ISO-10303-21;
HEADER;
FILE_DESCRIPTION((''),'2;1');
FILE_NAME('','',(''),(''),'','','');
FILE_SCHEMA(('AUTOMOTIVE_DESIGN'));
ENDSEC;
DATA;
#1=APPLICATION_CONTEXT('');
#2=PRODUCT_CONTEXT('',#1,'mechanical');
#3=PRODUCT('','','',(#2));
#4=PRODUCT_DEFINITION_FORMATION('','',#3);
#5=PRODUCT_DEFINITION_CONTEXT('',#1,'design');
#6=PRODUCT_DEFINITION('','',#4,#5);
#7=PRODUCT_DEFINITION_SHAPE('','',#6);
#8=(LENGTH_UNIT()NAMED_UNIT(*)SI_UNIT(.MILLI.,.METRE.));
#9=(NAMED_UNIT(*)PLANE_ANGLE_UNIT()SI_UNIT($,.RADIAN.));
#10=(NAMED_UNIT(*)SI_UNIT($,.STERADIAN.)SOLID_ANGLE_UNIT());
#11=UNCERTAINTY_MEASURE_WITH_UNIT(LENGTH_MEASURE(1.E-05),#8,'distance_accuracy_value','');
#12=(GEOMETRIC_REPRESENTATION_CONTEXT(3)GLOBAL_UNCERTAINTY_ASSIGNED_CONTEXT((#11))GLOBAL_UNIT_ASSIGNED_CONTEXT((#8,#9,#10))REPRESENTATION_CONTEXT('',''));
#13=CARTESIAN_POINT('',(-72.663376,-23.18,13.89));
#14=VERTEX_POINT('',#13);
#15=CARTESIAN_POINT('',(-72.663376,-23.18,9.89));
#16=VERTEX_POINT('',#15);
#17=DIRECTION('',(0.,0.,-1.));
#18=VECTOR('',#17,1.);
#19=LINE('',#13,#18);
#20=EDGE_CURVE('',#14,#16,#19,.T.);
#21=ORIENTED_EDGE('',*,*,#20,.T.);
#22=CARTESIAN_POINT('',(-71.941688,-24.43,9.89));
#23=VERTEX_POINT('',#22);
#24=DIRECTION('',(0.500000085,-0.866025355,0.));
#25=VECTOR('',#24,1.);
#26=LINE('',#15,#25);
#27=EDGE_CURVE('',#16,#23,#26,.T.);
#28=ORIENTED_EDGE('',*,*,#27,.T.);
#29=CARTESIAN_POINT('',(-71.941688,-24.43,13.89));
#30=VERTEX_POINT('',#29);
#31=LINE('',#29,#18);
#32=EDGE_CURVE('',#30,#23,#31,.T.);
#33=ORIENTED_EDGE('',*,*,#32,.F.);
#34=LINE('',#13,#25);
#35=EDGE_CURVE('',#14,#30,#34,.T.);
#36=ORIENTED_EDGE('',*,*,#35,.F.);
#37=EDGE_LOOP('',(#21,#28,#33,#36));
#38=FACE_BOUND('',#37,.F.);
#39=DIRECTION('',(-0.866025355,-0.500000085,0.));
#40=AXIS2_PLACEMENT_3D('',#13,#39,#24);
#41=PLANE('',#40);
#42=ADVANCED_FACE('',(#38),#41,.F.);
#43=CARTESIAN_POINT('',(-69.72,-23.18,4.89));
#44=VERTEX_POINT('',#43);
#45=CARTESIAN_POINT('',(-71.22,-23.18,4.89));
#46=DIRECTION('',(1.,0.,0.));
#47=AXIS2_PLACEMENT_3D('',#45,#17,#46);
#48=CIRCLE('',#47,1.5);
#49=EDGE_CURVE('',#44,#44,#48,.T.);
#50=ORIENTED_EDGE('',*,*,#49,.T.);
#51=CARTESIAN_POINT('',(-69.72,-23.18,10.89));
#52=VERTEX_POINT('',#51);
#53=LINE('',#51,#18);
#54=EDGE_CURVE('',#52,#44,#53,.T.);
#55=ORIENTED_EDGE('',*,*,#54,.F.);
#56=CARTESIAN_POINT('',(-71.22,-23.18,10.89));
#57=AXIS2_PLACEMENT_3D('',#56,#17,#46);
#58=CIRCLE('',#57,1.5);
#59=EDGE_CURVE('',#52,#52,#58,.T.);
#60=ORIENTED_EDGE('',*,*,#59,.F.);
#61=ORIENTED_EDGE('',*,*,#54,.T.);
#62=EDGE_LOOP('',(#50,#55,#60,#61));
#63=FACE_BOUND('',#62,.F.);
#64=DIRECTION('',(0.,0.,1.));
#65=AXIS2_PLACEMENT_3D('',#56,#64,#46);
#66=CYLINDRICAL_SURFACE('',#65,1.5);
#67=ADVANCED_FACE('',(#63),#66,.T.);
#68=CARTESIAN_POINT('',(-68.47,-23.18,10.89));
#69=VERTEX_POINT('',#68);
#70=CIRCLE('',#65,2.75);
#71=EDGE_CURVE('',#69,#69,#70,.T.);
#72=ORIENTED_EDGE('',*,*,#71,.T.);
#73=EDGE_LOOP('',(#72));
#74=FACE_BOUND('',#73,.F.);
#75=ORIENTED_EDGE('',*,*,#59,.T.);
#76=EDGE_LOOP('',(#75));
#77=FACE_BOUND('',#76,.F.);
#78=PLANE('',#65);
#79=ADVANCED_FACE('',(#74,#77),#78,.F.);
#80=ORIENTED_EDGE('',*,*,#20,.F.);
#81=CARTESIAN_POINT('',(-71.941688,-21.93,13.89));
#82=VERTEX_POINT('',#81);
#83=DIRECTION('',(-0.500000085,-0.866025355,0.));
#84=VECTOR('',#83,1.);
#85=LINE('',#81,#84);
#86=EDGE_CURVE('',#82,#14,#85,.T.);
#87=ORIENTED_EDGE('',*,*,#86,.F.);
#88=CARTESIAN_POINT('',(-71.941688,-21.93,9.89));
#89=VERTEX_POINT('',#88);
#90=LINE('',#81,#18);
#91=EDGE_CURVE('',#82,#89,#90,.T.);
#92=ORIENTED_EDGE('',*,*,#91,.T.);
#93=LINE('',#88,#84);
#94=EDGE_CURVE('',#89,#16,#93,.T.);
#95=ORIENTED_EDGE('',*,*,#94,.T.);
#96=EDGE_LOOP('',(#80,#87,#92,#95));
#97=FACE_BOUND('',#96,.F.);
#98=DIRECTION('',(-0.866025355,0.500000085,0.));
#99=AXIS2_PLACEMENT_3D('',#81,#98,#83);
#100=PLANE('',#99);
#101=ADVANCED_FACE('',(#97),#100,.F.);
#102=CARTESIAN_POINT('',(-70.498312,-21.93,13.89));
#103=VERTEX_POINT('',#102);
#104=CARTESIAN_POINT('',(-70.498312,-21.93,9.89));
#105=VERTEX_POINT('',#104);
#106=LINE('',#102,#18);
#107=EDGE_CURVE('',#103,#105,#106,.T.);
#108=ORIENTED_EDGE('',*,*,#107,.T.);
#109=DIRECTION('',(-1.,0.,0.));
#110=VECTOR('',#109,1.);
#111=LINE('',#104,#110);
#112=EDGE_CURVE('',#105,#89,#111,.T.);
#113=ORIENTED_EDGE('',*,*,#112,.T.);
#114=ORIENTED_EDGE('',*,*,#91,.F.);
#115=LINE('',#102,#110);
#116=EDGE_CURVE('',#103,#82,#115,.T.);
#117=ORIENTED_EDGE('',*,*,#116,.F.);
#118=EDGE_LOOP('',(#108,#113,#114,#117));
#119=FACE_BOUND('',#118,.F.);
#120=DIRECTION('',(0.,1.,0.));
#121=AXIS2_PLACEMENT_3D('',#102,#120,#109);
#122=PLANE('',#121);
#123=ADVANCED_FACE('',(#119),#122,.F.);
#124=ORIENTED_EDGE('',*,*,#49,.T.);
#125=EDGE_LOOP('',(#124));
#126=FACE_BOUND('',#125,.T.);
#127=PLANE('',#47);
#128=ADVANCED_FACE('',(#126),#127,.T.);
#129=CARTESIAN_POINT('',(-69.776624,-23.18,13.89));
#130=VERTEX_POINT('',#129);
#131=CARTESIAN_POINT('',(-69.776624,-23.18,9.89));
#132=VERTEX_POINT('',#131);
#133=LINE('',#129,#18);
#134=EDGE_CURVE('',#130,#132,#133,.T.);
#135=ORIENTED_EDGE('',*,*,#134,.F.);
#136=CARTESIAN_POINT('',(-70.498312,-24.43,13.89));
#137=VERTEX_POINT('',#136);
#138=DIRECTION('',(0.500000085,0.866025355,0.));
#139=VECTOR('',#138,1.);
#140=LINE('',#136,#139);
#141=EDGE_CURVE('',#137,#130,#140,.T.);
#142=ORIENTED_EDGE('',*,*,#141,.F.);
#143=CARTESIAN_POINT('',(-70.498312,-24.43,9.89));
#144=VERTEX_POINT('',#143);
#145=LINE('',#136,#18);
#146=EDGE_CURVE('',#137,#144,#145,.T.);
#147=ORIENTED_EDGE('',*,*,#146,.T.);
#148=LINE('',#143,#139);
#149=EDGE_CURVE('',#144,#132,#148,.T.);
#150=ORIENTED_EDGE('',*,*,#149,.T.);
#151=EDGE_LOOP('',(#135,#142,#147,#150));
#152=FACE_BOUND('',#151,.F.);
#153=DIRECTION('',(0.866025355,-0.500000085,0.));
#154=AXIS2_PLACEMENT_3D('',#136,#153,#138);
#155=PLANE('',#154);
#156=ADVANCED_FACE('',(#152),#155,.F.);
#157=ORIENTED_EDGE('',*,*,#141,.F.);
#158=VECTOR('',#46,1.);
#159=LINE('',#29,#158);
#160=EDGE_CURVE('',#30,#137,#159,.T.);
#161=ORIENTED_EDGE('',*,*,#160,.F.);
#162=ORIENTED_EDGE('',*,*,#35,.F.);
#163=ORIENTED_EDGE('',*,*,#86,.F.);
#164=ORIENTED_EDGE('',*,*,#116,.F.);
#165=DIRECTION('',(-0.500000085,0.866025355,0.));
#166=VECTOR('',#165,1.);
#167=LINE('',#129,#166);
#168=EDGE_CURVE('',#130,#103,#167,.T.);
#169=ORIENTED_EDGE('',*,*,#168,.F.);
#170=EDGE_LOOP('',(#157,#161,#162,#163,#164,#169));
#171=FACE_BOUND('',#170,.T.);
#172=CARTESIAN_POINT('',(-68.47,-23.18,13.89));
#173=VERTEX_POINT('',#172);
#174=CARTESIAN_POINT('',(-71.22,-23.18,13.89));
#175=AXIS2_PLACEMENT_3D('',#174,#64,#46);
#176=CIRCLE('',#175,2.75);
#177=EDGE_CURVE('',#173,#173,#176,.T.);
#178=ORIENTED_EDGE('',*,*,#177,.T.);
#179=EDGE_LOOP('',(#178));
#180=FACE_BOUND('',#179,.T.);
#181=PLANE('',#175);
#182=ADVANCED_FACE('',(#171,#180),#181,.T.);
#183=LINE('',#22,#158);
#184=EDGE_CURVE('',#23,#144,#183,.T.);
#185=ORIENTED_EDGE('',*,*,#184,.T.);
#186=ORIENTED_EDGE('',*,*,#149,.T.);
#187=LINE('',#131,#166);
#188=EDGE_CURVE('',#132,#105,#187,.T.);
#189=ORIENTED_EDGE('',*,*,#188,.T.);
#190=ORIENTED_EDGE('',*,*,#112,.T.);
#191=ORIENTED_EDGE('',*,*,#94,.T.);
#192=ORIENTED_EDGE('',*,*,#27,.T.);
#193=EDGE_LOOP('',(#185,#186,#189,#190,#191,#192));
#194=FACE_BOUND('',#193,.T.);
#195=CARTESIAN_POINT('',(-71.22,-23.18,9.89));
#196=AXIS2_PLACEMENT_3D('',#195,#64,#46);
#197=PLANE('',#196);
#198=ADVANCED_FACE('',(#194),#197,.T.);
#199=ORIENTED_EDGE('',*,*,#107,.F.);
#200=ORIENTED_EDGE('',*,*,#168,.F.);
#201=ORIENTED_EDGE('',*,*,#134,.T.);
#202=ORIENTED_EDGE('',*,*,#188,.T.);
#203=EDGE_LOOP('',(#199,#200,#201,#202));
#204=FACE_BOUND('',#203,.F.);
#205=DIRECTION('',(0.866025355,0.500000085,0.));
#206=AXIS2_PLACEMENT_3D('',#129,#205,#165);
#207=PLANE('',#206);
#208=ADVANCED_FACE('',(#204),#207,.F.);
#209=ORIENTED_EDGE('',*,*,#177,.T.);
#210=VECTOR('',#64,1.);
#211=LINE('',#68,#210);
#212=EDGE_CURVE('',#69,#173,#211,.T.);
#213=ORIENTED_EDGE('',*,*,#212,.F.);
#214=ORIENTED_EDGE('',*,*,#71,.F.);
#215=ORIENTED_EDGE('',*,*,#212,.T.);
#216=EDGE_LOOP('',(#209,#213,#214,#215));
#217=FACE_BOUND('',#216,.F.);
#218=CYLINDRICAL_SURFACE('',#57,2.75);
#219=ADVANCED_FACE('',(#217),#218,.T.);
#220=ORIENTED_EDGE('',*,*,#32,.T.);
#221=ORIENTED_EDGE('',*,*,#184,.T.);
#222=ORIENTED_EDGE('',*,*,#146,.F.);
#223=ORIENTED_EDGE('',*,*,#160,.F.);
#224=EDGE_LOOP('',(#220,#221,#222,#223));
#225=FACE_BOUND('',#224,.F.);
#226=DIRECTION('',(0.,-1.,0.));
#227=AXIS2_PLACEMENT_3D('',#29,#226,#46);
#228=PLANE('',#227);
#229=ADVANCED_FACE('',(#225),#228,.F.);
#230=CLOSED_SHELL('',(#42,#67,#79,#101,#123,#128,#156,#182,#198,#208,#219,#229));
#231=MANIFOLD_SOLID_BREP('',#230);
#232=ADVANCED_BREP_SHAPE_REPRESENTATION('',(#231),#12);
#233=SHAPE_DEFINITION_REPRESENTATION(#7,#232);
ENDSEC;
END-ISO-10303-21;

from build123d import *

# Parameters (mm, degrees)
SKETCH046_R     = 2.75
PAD023_DEPTH    = 3
SKETCH044_R     = 1.5
PAD022_DEPTH    = 6
POCKET021_DEPTH = 4


with BuildPart() as part:
    # Sketch046 → Pad023 (new body)
    with BuildSketch(Plane.XY):
        Circle(SKETCH046_R)
    extrude(amount=PAD023_DEPTH)

    # Sketch044 (on Face2 of Pad023) → Pad022 (join)
    with BuildSketch(Plane(origin=(0, 0, 0), x_dir=(1, 0, 0), z_dir=(0, 0, -1))):
        Circle(SKETCH044_R)
    extrude(amount=PAD022_DEPTH)

    # Sketch045 (on DatumPlane) → Pocket021 (cut)
    with BuildSketch(Plane.XY.offset(3)):
        Polygon((0.721688, -1.25), (1.443376, 0), (0.721688, 1.25), (-0.721688, 1.25), (-1.443376, 0), (-0.721688, -1.25), align=None)
    extrude(amount=-POCKET021_DEPTH, mode=Mode.SUBTRACT)


with BuildPart() as part_1:
    # Body012 placement: moved
    add(part.part.moved(Location((-71.22, -23.18, 10.89))))


solid = part_1.part
